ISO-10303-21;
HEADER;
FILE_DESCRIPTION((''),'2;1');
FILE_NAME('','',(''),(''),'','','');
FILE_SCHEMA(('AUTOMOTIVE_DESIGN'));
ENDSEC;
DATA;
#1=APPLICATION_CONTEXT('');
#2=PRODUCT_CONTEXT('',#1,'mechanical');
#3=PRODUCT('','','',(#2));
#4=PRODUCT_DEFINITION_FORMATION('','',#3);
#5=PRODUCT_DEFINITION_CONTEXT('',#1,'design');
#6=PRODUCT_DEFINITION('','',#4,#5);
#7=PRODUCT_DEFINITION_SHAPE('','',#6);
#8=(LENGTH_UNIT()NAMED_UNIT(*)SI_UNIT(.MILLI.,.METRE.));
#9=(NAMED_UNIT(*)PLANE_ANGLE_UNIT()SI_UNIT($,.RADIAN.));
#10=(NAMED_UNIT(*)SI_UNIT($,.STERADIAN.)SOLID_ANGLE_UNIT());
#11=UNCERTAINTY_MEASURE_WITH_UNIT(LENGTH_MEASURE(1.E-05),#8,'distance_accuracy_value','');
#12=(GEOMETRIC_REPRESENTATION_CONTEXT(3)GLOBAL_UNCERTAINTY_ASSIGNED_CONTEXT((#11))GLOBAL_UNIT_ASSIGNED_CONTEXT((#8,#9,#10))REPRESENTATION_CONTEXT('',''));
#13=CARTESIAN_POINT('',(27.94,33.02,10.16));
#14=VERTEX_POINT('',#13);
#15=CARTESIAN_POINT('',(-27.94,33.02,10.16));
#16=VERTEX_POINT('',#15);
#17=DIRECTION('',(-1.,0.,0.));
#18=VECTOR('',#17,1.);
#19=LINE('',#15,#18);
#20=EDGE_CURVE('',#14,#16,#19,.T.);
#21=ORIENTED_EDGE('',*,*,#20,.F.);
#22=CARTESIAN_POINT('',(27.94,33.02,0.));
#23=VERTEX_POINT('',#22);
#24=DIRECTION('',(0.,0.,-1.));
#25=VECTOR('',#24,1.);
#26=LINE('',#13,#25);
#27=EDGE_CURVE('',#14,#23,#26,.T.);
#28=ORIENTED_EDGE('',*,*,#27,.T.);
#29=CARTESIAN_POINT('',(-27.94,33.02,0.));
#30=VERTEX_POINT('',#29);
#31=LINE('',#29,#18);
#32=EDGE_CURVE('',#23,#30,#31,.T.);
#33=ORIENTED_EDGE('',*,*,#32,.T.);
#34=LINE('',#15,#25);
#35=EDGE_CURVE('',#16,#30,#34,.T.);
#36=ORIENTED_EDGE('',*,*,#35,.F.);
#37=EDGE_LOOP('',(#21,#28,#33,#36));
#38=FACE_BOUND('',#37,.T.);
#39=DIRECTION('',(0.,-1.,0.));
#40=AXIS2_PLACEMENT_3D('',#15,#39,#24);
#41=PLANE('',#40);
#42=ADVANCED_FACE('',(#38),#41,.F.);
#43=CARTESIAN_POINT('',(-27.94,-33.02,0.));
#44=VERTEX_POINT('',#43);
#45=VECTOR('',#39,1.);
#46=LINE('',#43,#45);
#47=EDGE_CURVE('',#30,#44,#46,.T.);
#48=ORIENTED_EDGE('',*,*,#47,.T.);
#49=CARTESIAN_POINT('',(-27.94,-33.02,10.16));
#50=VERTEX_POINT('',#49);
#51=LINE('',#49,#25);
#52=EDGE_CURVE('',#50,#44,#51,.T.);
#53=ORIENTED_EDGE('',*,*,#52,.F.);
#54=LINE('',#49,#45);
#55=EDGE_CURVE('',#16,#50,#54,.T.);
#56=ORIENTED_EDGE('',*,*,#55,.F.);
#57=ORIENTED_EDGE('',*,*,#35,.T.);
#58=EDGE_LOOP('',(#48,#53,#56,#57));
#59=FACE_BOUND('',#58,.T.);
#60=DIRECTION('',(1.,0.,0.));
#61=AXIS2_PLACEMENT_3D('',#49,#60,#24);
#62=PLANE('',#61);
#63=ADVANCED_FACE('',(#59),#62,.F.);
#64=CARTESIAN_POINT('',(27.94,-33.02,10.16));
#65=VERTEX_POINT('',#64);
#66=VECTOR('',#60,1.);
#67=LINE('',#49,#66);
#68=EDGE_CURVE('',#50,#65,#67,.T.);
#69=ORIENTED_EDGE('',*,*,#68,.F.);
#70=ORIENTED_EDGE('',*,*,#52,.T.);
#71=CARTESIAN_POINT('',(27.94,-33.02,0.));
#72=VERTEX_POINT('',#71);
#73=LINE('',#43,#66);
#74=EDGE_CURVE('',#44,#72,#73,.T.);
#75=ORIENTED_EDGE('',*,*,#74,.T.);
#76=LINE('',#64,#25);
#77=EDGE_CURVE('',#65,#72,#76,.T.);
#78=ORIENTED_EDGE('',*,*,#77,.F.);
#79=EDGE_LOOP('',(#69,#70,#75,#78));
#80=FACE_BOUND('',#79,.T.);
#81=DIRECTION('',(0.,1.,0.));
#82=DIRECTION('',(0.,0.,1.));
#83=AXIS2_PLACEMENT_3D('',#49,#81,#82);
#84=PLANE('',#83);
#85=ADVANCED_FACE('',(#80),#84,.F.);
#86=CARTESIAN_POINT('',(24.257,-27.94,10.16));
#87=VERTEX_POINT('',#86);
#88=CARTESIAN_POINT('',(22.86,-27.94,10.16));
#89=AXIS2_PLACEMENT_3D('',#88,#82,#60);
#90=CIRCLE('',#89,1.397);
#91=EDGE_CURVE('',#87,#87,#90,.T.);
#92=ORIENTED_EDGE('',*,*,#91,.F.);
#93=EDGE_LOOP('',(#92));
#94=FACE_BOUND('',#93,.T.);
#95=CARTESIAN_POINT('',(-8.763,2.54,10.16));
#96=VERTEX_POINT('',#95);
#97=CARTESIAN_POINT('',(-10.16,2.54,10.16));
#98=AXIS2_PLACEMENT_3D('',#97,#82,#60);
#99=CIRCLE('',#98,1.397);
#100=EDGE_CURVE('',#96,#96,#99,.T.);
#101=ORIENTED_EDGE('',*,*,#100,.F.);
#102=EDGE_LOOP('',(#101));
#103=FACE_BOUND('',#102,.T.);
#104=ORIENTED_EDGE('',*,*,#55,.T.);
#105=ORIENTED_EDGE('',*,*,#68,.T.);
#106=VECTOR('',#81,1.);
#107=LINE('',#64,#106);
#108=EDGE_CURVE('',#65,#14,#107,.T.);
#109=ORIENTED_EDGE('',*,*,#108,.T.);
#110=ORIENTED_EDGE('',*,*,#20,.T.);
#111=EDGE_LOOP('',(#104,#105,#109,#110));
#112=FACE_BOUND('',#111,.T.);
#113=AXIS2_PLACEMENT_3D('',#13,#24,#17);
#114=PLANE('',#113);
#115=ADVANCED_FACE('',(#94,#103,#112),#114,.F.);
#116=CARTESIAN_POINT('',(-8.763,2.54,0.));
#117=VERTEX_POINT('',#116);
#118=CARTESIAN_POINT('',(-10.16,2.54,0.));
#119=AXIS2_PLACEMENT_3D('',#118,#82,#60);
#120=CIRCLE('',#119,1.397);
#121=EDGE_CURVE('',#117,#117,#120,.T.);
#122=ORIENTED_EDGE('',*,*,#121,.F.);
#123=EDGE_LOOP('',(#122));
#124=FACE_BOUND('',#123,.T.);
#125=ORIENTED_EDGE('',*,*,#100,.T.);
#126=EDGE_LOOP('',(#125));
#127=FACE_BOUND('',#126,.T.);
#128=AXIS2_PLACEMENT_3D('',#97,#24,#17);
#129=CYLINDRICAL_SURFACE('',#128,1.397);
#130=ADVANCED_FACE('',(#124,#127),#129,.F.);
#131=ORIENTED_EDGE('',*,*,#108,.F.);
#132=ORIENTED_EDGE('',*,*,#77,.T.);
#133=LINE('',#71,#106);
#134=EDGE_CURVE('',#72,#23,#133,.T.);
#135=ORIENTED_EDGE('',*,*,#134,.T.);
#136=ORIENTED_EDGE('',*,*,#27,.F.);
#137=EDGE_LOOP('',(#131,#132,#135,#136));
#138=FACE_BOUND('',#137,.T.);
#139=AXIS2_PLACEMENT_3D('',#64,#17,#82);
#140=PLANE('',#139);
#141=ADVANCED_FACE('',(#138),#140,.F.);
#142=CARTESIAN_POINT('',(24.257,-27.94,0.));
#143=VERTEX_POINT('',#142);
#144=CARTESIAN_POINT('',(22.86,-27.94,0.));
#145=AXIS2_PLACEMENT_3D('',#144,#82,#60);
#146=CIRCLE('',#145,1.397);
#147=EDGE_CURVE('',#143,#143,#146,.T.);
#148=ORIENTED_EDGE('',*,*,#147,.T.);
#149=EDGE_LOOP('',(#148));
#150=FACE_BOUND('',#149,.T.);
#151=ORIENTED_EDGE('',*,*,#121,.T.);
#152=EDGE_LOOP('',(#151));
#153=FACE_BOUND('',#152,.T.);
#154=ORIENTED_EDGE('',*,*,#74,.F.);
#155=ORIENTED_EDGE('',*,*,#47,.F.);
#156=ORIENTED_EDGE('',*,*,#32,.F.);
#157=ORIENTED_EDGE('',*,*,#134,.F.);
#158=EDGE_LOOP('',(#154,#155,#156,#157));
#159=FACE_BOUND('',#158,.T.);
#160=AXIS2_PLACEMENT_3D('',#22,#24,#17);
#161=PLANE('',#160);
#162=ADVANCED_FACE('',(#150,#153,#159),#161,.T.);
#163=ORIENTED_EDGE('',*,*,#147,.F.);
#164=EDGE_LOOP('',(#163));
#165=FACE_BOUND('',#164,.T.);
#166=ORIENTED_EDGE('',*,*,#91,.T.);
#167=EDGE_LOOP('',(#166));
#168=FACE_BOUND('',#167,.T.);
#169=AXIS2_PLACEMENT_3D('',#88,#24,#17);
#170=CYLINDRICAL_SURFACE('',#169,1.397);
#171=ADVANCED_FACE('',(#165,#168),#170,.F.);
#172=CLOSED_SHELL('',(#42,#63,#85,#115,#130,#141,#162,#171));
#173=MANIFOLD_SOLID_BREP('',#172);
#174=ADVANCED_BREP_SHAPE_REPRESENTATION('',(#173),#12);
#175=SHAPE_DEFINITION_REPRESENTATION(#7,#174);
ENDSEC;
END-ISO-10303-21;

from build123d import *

# Parameters (mm, degrees)
SKETCH1_W           = 55.88
SKETCH1_H           = 66.04
SKETCH1_R           = 1.397
BOSS_EXTRUDE1_DEPTH = 10.16


with BuildPart() as part:
    # Sketch1 → Boss-Extrude1 (new body)
    with BuildSketch(Plane.XY):
        Rectangle(SKETCH1_W, SKETCH1_H)
        with Locations((-10.16, 2.54)):
            Circle(SKETCH1_R, mode=Mode.SUBTRACT)
        with Locations((22.86, -27.94)):
            Circle(SKETCH1_R, mode=Mode.SUBTRACT)
    extrude(amount=BOSS_EXTRUDE1_DEPTH)


solid = part.part
